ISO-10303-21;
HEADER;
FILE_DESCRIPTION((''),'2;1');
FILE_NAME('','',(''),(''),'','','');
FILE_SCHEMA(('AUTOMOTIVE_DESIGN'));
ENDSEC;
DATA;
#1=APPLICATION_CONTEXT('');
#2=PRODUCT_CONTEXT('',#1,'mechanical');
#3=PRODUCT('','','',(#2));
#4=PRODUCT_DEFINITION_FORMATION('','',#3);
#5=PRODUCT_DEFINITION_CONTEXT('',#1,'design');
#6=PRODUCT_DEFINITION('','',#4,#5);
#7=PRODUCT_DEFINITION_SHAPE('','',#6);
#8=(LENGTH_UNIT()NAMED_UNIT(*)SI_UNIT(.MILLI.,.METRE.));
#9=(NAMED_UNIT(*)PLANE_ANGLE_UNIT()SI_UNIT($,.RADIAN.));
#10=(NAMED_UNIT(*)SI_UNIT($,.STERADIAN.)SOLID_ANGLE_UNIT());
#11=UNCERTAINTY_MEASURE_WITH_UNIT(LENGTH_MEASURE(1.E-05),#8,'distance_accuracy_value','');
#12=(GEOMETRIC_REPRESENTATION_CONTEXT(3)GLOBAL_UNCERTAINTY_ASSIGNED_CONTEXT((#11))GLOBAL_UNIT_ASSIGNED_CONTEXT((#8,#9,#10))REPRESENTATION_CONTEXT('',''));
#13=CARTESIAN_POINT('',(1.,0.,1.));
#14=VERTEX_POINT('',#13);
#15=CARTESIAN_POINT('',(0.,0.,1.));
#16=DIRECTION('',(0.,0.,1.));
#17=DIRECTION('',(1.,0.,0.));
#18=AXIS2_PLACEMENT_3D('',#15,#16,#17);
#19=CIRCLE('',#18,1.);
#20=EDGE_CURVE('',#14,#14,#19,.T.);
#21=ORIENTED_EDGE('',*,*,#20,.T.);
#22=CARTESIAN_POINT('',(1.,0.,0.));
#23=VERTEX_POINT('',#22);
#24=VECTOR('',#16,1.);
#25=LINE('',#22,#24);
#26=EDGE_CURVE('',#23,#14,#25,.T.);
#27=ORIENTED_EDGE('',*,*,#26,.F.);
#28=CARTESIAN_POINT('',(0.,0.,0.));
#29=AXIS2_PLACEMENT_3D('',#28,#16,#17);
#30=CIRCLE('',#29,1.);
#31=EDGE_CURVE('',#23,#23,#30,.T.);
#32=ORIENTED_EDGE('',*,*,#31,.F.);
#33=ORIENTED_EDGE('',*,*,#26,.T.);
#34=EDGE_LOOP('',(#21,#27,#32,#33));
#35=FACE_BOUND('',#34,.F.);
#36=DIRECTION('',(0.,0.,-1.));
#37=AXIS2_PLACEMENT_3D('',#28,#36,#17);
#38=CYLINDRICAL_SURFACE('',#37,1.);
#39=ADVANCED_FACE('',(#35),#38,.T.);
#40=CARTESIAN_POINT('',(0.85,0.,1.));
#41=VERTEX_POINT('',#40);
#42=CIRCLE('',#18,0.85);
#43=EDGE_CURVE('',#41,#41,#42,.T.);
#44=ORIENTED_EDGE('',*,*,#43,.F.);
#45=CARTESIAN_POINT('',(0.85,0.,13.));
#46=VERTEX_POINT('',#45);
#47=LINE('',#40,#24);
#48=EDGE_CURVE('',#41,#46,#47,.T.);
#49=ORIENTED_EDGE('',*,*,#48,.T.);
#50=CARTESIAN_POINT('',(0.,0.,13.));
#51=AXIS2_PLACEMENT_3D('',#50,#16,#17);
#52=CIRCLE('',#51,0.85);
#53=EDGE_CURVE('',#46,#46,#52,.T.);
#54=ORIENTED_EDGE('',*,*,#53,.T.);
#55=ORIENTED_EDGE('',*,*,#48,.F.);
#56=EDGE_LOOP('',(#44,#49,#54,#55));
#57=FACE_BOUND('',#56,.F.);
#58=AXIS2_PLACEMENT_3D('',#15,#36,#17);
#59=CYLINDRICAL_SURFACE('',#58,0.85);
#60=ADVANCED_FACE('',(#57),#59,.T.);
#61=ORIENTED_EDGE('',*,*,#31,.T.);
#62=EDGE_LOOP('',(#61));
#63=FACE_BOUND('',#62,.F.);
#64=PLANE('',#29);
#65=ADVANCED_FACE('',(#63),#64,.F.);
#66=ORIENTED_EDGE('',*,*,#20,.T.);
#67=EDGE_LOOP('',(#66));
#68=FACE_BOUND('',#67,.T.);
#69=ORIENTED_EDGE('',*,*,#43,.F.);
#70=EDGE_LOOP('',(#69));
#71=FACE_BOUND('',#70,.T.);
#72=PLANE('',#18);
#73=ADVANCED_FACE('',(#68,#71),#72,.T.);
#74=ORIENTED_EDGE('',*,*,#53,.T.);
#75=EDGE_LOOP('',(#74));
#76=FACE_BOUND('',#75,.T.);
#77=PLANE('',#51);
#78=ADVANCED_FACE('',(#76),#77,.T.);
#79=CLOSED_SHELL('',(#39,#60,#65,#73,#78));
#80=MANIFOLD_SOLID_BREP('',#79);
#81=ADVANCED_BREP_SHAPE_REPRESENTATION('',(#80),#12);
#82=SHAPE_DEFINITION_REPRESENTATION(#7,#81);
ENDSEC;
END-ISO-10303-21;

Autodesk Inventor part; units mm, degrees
ref_plane "YZ Plane" through (0, 0, 0) normal (1, 0, 0) x (0, 1, 0)
ref_plane "XZ Plane" through (0, 0, 0) normal (0, 1, 0) x (-1, 0, 0)
ref_plane "XY Plane" through (0, 0, 0) normal (0, 0, 1) x (1, 0, 0)
sketch "Sketch1" plane through (0, 0, 0) normal (0, 0, 1) x (1, 0, 0)
  circle A0 centre (0, 0) radius 1
  dimension "d0" = 2
extrude "Extrusion1" add sketch "Sketch1" along normal blind 1
sketch "Sketch2" plane through (0, 0, 1) normal (0, 0, 1) x (1, 0, 0)
  circle A0 centre (0, 0) radius 0.85
  dimension "d3" = 1.7
extrude "Extrusion2" add sketch "Sketch2" along normal blind 12
thread "Thread1" size "M1.7x0.35" class "6g" standard "ANSI Metric M Profile" full length
properties part number "BOLT SMALL"
